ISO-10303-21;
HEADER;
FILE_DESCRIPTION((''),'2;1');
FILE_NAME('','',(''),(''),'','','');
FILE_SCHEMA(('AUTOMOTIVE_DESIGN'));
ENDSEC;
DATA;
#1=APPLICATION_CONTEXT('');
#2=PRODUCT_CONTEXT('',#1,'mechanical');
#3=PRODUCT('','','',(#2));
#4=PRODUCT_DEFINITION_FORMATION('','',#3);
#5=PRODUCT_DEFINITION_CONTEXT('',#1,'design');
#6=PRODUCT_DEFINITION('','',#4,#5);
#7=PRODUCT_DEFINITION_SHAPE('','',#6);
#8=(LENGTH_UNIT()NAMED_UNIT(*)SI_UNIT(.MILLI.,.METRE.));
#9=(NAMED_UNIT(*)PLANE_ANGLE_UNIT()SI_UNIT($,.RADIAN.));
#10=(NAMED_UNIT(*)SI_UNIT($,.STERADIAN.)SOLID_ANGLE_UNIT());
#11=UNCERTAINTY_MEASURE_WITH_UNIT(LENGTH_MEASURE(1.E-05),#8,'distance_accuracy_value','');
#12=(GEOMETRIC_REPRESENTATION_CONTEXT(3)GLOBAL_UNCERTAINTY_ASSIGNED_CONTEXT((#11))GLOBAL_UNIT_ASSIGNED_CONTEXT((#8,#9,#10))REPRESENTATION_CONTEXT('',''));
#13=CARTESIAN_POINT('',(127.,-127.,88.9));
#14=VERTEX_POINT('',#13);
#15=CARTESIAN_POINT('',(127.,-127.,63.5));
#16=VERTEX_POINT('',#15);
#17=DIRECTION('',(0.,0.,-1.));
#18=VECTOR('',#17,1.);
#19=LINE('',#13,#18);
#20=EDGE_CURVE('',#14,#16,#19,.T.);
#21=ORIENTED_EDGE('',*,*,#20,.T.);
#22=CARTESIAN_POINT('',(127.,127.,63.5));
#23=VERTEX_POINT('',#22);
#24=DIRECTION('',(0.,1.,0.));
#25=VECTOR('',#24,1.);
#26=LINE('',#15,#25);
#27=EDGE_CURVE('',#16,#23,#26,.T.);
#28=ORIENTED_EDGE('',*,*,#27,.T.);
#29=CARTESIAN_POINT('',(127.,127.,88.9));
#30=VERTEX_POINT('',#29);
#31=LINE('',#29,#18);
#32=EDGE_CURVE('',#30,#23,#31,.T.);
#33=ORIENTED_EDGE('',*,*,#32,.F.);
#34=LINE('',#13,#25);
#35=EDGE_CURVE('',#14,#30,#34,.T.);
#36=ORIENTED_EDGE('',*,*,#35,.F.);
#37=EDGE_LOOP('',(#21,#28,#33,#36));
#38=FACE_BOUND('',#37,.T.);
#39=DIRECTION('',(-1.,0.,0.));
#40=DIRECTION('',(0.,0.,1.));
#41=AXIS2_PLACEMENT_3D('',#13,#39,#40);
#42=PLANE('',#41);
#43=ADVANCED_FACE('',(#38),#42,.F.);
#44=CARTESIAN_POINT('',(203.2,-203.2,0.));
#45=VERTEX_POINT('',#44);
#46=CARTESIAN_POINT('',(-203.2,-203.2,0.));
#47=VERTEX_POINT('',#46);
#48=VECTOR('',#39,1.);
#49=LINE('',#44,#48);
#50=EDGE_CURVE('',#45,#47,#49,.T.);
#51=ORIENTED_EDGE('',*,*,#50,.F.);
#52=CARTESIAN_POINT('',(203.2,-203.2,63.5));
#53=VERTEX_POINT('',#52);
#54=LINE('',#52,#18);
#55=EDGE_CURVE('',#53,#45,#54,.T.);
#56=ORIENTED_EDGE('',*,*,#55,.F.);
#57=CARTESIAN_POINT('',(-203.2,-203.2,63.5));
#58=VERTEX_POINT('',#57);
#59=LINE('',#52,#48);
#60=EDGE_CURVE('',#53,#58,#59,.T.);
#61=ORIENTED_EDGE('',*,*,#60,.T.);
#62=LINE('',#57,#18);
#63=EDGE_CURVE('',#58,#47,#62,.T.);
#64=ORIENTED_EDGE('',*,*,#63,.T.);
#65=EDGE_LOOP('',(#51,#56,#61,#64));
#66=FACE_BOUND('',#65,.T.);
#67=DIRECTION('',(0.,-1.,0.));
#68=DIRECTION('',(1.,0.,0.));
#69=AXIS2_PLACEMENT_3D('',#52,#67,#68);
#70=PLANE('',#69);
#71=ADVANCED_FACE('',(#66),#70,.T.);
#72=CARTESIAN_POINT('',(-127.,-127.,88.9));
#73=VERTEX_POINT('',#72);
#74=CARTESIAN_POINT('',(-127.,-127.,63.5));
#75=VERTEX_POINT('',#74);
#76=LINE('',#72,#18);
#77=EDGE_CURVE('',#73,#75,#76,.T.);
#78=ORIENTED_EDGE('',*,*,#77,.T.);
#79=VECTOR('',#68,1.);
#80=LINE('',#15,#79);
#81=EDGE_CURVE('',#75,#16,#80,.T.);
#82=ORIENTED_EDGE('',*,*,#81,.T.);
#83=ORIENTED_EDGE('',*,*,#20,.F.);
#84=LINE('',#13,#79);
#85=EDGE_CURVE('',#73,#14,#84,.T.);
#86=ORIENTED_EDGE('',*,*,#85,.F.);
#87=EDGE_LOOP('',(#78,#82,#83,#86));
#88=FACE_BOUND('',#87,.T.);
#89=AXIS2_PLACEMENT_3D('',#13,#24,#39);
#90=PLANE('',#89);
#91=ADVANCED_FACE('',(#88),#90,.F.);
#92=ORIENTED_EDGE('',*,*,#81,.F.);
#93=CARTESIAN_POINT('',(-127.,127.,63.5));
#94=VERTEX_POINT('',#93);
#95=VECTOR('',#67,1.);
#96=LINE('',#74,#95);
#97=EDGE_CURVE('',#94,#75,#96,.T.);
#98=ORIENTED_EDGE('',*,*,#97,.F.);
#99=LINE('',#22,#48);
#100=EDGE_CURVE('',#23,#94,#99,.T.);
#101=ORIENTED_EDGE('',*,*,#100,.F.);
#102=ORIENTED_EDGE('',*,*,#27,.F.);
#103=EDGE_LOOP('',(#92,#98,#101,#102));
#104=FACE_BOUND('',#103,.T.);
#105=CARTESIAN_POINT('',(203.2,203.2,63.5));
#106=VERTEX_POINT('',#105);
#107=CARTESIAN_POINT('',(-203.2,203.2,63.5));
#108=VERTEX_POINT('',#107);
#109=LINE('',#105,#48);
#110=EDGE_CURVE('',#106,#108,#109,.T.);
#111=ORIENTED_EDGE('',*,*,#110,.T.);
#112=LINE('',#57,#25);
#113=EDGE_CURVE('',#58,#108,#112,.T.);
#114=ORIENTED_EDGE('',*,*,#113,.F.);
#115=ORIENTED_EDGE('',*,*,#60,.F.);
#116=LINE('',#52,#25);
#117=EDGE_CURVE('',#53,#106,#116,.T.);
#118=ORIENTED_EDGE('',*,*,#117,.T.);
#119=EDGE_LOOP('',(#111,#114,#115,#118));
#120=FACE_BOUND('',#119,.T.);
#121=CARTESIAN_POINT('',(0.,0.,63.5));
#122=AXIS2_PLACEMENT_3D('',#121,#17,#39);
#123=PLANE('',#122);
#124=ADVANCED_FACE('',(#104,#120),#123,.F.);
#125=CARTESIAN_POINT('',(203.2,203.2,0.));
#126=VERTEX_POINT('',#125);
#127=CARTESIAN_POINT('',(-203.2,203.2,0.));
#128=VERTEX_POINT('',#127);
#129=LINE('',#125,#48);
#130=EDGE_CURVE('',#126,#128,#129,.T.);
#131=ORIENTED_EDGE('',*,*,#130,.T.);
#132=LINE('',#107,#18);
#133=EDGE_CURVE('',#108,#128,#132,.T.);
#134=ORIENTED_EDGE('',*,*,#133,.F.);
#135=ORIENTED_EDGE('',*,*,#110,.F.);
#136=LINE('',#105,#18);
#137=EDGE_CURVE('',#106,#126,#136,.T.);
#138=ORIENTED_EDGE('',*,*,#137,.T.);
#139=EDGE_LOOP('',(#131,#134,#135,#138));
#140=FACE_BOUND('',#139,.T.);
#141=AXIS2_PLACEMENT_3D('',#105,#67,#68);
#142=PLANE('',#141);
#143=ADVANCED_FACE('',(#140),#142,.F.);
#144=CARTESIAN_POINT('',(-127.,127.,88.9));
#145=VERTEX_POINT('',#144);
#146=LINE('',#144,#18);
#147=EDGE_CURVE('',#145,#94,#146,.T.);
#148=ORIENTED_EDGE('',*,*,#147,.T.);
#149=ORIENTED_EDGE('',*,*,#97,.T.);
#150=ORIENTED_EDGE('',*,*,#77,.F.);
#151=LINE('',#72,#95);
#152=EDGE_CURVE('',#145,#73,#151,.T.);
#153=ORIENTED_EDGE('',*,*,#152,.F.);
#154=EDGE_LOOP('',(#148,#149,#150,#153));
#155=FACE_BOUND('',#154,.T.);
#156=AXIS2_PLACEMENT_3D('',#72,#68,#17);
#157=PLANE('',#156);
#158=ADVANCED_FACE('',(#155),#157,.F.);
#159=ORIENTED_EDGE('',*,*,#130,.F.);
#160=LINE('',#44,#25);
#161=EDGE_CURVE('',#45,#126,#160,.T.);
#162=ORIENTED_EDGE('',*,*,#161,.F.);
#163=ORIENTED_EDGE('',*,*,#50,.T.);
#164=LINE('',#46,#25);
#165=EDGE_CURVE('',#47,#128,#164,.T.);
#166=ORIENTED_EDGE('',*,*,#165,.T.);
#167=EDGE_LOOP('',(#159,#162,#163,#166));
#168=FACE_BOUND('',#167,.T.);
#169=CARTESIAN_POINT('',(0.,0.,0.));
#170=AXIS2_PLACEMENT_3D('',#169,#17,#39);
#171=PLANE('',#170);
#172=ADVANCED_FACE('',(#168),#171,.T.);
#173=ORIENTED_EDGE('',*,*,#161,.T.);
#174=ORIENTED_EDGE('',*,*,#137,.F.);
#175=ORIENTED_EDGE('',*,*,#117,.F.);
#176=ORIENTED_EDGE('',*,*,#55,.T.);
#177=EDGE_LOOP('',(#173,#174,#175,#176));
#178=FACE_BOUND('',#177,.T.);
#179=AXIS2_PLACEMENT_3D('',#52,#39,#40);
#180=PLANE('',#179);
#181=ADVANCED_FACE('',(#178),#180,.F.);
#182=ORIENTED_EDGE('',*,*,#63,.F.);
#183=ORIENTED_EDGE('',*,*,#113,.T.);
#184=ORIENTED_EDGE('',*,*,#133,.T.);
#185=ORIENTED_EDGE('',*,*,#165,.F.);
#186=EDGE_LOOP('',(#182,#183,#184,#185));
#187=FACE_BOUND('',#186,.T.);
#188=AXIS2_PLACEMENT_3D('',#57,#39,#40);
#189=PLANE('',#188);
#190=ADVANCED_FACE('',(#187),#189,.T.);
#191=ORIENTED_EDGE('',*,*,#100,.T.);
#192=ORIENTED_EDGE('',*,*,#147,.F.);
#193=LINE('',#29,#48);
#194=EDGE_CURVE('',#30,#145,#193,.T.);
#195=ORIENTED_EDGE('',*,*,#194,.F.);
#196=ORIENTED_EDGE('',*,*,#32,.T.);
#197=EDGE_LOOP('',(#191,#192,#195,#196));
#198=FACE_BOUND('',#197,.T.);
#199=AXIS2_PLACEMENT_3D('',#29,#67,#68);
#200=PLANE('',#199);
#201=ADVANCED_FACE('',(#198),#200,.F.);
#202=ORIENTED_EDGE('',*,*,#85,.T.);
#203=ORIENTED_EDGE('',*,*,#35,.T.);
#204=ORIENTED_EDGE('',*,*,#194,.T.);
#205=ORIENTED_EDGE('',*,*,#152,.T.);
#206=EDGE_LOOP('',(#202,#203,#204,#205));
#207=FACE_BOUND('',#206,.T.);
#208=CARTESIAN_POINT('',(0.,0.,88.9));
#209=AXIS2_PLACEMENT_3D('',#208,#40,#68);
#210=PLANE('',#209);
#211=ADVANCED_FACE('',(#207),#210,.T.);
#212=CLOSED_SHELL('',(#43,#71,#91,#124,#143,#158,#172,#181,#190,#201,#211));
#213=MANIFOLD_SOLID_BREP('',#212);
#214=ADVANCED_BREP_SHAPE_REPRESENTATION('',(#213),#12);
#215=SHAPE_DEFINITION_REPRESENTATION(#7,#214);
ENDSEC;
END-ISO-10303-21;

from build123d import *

# Parameters (mm, degrees)
SKETCH1_W           = 406.4
SKETCH1_H           = 406.4
BOSS_EXTRUDE1_DEPTH = 63.5
SKETCH2_W           = 254
SKETCH2_H           = 254
BOSS_EXTRUDE2_DEPTH = 25.4


with BuildPart() as part:
    # Sketch1 → Boss-Extrude1 (new body)
    with BuildSketch(Plane.XY):
        Rectangle(SKETCH1_W, SKETCH1_H)
    extrude(amount=BOSS_EXTRUDE1_DEPTH)

    # Sketch2 → Boss-Extrude2 (add)
    with BuildSketch(Plane.XY.offset(63.5)):
        Rectangle(SKETCH2_W, SKETCH2_H)
    extrude(amount=BOSS_EXTRUDE2_DEPTH)


solid = part.part
